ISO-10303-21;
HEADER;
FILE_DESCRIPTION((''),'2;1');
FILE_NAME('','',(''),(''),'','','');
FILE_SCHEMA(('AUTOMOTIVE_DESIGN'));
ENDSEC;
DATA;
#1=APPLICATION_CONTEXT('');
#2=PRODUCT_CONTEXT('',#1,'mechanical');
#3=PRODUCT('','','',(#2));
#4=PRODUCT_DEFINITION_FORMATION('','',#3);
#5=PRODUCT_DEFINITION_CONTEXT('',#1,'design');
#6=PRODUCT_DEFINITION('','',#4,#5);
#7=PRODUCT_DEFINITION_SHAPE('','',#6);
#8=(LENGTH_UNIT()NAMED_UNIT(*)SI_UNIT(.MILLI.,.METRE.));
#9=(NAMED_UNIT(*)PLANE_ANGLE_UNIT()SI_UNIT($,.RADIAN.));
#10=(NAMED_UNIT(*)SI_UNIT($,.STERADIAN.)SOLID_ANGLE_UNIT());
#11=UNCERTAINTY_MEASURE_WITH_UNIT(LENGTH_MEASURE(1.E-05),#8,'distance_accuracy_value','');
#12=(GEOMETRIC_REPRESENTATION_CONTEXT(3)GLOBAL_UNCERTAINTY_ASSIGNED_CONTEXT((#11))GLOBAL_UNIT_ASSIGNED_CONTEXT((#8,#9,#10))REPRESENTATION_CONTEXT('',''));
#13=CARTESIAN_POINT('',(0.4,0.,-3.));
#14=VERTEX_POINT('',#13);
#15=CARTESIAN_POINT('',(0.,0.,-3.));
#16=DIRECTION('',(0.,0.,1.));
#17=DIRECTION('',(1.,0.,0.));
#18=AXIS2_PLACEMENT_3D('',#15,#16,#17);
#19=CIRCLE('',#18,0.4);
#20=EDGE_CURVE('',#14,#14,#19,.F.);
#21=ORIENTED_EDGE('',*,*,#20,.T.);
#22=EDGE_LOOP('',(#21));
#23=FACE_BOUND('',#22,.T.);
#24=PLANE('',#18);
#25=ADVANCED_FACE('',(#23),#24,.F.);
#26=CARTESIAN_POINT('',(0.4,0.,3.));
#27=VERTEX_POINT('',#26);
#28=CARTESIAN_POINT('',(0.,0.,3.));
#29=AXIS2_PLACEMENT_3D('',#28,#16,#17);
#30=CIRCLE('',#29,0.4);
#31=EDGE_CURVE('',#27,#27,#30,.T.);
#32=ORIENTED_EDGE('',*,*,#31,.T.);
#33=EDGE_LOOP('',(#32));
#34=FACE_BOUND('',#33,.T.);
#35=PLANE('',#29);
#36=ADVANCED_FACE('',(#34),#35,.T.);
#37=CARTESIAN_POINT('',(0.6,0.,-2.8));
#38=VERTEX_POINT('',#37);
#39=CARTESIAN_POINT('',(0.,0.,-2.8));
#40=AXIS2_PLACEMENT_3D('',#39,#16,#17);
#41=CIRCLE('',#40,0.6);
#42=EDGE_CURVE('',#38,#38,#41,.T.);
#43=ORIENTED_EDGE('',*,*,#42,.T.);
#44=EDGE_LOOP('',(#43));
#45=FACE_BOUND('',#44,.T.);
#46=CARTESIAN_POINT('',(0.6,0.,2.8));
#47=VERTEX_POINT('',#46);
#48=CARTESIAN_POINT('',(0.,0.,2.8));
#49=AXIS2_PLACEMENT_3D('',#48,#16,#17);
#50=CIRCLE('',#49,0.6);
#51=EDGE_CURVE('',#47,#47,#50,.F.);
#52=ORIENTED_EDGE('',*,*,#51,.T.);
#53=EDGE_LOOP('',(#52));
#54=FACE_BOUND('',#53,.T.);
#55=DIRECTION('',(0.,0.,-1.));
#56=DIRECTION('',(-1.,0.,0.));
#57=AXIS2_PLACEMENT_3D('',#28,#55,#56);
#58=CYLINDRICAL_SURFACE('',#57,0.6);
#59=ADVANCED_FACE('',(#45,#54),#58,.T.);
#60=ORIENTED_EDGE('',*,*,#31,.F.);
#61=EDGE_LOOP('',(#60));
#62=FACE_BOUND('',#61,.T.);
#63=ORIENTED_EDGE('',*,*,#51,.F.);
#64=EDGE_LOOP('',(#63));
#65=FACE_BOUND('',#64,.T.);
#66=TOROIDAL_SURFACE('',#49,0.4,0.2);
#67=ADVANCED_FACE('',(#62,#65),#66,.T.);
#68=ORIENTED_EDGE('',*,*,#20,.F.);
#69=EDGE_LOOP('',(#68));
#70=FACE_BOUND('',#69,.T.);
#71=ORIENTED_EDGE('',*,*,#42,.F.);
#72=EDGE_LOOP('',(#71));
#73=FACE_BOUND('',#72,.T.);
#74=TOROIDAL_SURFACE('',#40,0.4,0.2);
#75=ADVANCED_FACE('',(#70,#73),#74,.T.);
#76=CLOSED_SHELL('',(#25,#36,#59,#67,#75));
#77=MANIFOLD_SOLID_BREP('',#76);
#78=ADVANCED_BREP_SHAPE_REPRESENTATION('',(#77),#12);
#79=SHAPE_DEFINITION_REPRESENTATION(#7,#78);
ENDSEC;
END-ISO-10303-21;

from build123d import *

# Parameters (mm, degrees)
SZKIC1_R                    = 0.6
DODANIE_WYCI_GNI_CIE1_DEPTH = 3
ZAOKR_GLENIE1_R             = 0.2


with BuildPart() as part:
    # Szkic1 → Dodanie-wyciągnięcie1 (new, symmetric)
    with BuildSketch(Plane.XY):
        Circle(SZKIC1_R)
    extrude(amount=DODANIE_WYCI_GNI_CIE1_DEPTH, both=True)

    # Zaokrąglenie1
    zaokr_glenie1_edges = [part.edges().sort_by_distance(p)[0] for p in [
        (-0.6, 0, -3),
        (-0.6, 0, 3),
    ]]
    fillet(zaokr_glenie1_edges, radius=ZAOKR_GLENIE1_R)


solid = part.part
